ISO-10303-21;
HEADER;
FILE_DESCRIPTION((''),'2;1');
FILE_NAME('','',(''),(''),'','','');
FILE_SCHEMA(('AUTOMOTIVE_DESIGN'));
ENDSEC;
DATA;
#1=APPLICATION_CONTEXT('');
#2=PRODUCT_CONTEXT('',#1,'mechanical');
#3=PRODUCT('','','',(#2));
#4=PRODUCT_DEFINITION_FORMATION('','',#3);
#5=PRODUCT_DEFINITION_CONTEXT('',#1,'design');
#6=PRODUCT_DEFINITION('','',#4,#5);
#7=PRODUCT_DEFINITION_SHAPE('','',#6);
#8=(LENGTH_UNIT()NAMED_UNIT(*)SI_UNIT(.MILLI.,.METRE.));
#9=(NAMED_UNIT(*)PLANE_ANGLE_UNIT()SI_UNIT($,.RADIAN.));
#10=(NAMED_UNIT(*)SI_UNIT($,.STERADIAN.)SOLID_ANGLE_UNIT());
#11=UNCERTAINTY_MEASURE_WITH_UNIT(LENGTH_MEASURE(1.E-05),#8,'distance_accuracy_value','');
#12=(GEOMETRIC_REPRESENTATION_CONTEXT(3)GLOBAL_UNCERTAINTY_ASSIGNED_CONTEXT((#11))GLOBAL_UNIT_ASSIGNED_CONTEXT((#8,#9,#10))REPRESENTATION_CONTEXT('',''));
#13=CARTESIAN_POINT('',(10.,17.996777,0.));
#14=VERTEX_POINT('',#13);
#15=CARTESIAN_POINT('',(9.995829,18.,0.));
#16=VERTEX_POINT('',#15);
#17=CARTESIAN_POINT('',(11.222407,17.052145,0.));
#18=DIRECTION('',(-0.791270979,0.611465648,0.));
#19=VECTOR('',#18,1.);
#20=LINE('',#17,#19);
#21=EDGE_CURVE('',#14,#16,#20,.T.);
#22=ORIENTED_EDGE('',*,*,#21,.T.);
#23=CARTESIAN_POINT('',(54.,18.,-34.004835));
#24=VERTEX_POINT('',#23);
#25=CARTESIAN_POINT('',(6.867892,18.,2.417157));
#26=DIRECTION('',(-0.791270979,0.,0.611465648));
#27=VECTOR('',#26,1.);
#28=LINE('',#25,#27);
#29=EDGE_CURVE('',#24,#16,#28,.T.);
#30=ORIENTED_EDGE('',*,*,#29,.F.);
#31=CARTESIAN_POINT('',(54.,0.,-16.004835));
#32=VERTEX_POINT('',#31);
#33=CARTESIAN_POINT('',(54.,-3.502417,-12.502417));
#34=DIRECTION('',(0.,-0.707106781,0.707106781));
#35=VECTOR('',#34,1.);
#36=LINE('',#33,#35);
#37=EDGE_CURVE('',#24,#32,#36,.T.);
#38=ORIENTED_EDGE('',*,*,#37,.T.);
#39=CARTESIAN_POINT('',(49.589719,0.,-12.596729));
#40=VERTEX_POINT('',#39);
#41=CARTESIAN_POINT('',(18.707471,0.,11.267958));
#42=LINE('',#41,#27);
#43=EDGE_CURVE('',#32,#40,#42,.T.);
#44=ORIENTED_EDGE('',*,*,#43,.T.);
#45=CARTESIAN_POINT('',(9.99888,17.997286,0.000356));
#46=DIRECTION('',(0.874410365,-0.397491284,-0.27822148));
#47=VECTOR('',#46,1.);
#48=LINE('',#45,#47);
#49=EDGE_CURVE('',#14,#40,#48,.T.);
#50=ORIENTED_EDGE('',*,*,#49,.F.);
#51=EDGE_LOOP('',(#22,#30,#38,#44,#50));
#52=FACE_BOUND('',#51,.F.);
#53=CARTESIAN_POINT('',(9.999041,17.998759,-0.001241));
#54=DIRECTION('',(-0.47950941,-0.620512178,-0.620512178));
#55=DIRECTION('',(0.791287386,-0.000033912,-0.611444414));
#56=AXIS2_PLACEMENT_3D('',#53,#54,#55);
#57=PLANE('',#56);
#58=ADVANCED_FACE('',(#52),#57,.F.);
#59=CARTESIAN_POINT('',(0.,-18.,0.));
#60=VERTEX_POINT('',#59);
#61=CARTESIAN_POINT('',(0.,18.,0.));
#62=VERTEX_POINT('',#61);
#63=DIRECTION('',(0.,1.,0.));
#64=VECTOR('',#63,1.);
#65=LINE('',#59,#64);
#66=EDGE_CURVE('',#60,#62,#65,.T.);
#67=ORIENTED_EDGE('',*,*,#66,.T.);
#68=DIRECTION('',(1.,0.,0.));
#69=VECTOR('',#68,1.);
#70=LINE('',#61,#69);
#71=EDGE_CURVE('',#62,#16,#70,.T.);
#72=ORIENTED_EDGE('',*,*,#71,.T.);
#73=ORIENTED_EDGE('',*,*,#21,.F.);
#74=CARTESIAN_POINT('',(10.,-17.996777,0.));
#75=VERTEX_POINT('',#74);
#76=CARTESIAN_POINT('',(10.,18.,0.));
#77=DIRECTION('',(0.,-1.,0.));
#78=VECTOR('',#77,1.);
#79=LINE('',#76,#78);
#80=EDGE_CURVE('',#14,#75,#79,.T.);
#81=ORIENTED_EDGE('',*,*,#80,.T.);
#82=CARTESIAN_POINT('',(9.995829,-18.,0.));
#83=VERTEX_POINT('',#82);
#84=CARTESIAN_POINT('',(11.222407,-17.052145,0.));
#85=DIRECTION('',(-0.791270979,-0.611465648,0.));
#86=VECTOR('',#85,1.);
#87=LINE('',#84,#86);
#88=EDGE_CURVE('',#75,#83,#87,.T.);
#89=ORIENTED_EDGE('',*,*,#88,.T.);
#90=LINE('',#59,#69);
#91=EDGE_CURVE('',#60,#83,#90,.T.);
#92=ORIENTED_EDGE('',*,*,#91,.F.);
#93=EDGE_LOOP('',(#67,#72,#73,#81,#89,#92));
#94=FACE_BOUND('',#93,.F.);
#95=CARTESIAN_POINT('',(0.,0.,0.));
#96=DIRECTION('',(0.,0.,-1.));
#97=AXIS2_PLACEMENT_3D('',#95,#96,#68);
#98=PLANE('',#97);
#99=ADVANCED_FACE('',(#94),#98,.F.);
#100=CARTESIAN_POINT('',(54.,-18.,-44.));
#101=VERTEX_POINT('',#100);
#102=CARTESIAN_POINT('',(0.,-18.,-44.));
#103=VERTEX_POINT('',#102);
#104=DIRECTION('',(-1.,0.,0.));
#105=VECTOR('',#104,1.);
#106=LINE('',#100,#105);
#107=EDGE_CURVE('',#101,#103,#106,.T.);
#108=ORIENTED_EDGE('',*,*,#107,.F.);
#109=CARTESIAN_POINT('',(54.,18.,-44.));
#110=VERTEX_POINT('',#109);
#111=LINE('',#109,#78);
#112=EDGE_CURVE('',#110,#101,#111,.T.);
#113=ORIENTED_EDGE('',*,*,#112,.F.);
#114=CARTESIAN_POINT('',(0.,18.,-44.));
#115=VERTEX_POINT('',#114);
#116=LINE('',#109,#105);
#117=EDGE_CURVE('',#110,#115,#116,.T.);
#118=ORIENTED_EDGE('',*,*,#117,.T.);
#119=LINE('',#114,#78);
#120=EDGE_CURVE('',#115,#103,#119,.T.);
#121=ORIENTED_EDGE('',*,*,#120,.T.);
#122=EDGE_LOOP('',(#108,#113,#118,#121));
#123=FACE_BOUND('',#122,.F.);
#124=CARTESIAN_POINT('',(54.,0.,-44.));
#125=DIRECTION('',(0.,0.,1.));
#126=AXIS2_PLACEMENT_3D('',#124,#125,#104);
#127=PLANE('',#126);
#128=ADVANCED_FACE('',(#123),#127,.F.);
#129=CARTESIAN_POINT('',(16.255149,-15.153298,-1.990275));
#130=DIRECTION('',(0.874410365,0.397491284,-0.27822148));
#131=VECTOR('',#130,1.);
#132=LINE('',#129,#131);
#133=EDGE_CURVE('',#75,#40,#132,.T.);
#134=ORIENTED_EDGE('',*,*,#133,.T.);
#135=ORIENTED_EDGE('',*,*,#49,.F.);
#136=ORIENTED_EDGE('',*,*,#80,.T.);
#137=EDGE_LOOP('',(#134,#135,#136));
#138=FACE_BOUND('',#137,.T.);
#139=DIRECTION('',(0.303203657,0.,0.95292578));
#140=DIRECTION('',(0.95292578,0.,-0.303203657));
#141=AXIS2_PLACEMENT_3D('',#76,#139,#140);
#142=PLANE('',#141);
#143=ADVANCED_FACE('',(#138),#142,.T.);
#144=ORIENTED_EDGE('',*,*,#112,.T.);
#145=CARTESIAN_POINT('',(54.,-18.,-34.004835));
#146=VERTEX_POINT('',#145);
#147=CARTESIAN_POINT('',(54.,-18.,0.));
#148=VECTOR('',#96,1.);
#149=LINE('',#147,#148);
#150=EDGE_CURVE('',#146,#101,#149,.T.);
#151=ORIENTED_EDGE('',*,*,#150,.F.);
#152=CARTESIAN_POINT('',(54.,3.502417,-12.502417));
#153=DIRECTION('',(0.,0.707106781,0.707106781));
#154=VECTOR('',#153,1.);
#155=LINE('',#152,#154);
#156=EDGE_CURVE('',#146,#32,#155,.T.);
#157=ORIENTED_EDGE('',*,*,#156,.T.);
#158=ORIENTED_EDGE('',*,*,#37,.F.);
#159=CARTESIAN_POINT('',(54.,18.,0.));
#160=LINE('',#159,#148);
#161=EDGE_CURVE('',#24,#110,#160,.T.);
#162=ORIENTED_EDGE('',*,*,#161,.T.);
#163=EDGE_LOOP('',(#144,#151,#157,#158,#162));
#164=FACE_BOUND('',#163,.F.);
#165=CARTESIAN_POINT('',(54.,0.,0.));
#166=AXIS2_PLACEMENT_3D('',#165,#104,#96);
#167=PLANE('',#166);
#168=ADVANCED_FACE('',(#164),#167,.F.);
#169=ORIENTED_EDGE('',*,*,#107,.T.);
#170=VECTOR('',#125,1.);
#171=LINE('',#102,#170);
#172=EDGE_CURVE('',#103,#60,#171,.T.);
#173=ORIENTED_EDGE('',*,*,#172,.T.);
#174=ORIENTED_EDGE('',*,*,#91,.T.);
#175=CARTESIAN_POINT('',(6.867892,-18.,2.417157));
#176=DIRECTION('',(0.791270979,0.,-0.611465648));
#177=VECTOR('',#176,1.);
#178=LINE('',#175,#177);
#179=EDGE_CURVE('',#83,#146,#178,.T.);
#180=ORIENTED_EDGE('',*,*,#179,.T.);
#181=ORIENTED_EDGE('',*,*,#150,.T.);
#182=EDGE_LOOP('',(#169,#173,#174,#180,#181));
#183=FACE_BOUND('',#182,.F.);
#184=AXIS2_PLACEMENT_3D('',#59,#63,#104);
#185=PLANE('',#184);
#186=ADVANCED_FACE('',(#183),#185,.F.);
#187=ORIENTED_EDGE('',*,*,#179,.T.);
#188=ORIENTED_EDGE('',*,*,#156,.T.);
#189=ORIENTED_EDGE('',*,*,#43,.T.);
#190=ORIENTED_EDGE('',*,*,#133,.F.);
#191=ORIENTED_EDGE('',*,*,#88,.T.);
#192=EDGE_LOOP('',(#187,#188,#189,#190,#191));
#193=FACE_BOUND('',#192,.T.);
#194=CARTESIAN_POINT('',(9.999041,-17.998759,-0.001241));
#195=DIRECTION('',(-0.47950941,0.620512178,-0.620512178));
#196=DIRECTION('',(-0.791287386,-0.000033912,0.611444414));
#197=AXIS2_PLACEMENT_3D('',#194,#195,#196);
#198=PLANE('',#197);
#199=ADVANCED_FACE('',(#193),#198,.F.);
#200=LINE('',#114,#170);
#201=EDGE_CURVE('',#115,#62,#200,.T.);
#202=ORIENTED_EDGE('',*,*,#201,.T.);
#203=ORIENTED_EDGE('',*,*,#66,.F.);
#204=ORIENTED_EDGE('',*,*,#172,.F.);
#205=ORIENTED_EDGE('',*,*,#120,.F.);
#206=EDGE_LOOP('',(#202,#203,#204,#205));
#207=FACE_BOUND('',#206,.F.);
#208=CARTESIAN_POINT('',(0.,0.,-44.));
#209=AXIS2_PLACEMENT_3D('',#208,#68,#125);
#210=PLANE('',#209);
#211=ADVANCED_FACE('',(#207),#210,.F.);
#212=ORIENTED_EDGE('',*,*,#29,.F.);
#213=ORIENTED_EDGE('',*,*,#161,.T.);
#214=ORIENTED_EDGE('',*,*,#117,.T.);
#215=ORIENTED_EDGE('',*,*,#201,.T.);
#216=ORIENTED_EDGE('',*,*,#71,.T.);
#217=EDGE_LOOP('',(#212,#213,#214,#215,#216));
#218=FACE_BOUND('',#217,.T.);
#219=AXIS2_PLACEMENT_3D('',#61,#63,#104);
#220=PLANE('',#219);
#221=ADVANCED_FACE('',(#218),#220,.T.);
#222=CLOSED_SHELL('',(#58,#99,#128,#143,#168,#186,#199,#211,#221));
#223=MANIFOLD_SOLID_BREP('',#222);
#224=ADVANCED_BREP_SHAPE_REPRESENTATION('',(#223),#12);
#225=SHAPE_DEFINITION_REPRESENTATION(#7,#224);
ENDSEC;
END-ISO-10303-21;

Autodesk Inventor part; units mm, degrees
ref_plane "YZ Plane" through (0, 0, 0) normal (1, 0, 0) x (0, 1, 0)
ref_plane "XZ Plane" through (0, 0, 0) normal (0, 1, 0) x (-1, 0, 0)
sketch "草圖1" plane through (0, 0, 0) normal (0, 1, 0) x (-1, 0, 0)
  line L0 (0, 0) -> (-54, 0)
  line L1 (-54, 0) -> (-54, -44)
  line L2 (-54, -44) -> (0, -44)
  line L3 (0, -44) -> (0, 0)
  dimension "d0" = 54
  dimension "d1" = 44
extrude "擠出1" add sketch "草圖1" along normal mid plane 36
sketch "草圖2" plane through (0, 18, 0) normal (0, 1, 0) x (1, 0, 0)
  line L0 (0, 0) -> (54, 0) projected
  line L1 (10, 0) -> (54, 14)
  line L2 (54, 0) -> (54, 44) projected
  dimension "d4" = 10
  dimension "d5" = 30
extrude "擠出2" cut sketch "草圖2" against normal blind 40
sketch "草圖3" plane through (54, -18, -44) normal (1, 0, 0) x (0, 0, -1)
  line L0 (-30, 16) -> (-10, 36)
  line L1 (0, 36) -> (-44, 36) projected
  line L2 (-30, 36) -> (-30, 0) projected
  point P0 (-44, 18)
  dimension "d8" = 20
  dimension "d9" = 20
ref_plane "工作平面1" through (10, 18, 0) normal (-0.4795, -0.6205, -0.6205) x (0.7913, 0, -0.6114)
sketch "草圖4" plane through (10, 18, 0) normal (-0.4795, -0.6205, -0.6205) x (0.7913, 0, -0.6114)
  line L0 (-15.1543, -12.3218) -> (93.717, -12.3218)
  line L1 (93.717, -12.3218) -> (93.717, 28.8166)
  line L2 (93.717, 28.8166) -> (-15.1543, 28.8166)
  line L3 (-15.1543, 28.8166) -> (-15.1543, -12.3218)
  point P0 (-7.9129, 10.3213)
extrude "擠出3" cut sketch "草圖4" against normal blind 40
mirror "鏡射1" about plane through (0, 0, 0) normal (0, 1, 0) of "擠出3"
properties part number "21"
